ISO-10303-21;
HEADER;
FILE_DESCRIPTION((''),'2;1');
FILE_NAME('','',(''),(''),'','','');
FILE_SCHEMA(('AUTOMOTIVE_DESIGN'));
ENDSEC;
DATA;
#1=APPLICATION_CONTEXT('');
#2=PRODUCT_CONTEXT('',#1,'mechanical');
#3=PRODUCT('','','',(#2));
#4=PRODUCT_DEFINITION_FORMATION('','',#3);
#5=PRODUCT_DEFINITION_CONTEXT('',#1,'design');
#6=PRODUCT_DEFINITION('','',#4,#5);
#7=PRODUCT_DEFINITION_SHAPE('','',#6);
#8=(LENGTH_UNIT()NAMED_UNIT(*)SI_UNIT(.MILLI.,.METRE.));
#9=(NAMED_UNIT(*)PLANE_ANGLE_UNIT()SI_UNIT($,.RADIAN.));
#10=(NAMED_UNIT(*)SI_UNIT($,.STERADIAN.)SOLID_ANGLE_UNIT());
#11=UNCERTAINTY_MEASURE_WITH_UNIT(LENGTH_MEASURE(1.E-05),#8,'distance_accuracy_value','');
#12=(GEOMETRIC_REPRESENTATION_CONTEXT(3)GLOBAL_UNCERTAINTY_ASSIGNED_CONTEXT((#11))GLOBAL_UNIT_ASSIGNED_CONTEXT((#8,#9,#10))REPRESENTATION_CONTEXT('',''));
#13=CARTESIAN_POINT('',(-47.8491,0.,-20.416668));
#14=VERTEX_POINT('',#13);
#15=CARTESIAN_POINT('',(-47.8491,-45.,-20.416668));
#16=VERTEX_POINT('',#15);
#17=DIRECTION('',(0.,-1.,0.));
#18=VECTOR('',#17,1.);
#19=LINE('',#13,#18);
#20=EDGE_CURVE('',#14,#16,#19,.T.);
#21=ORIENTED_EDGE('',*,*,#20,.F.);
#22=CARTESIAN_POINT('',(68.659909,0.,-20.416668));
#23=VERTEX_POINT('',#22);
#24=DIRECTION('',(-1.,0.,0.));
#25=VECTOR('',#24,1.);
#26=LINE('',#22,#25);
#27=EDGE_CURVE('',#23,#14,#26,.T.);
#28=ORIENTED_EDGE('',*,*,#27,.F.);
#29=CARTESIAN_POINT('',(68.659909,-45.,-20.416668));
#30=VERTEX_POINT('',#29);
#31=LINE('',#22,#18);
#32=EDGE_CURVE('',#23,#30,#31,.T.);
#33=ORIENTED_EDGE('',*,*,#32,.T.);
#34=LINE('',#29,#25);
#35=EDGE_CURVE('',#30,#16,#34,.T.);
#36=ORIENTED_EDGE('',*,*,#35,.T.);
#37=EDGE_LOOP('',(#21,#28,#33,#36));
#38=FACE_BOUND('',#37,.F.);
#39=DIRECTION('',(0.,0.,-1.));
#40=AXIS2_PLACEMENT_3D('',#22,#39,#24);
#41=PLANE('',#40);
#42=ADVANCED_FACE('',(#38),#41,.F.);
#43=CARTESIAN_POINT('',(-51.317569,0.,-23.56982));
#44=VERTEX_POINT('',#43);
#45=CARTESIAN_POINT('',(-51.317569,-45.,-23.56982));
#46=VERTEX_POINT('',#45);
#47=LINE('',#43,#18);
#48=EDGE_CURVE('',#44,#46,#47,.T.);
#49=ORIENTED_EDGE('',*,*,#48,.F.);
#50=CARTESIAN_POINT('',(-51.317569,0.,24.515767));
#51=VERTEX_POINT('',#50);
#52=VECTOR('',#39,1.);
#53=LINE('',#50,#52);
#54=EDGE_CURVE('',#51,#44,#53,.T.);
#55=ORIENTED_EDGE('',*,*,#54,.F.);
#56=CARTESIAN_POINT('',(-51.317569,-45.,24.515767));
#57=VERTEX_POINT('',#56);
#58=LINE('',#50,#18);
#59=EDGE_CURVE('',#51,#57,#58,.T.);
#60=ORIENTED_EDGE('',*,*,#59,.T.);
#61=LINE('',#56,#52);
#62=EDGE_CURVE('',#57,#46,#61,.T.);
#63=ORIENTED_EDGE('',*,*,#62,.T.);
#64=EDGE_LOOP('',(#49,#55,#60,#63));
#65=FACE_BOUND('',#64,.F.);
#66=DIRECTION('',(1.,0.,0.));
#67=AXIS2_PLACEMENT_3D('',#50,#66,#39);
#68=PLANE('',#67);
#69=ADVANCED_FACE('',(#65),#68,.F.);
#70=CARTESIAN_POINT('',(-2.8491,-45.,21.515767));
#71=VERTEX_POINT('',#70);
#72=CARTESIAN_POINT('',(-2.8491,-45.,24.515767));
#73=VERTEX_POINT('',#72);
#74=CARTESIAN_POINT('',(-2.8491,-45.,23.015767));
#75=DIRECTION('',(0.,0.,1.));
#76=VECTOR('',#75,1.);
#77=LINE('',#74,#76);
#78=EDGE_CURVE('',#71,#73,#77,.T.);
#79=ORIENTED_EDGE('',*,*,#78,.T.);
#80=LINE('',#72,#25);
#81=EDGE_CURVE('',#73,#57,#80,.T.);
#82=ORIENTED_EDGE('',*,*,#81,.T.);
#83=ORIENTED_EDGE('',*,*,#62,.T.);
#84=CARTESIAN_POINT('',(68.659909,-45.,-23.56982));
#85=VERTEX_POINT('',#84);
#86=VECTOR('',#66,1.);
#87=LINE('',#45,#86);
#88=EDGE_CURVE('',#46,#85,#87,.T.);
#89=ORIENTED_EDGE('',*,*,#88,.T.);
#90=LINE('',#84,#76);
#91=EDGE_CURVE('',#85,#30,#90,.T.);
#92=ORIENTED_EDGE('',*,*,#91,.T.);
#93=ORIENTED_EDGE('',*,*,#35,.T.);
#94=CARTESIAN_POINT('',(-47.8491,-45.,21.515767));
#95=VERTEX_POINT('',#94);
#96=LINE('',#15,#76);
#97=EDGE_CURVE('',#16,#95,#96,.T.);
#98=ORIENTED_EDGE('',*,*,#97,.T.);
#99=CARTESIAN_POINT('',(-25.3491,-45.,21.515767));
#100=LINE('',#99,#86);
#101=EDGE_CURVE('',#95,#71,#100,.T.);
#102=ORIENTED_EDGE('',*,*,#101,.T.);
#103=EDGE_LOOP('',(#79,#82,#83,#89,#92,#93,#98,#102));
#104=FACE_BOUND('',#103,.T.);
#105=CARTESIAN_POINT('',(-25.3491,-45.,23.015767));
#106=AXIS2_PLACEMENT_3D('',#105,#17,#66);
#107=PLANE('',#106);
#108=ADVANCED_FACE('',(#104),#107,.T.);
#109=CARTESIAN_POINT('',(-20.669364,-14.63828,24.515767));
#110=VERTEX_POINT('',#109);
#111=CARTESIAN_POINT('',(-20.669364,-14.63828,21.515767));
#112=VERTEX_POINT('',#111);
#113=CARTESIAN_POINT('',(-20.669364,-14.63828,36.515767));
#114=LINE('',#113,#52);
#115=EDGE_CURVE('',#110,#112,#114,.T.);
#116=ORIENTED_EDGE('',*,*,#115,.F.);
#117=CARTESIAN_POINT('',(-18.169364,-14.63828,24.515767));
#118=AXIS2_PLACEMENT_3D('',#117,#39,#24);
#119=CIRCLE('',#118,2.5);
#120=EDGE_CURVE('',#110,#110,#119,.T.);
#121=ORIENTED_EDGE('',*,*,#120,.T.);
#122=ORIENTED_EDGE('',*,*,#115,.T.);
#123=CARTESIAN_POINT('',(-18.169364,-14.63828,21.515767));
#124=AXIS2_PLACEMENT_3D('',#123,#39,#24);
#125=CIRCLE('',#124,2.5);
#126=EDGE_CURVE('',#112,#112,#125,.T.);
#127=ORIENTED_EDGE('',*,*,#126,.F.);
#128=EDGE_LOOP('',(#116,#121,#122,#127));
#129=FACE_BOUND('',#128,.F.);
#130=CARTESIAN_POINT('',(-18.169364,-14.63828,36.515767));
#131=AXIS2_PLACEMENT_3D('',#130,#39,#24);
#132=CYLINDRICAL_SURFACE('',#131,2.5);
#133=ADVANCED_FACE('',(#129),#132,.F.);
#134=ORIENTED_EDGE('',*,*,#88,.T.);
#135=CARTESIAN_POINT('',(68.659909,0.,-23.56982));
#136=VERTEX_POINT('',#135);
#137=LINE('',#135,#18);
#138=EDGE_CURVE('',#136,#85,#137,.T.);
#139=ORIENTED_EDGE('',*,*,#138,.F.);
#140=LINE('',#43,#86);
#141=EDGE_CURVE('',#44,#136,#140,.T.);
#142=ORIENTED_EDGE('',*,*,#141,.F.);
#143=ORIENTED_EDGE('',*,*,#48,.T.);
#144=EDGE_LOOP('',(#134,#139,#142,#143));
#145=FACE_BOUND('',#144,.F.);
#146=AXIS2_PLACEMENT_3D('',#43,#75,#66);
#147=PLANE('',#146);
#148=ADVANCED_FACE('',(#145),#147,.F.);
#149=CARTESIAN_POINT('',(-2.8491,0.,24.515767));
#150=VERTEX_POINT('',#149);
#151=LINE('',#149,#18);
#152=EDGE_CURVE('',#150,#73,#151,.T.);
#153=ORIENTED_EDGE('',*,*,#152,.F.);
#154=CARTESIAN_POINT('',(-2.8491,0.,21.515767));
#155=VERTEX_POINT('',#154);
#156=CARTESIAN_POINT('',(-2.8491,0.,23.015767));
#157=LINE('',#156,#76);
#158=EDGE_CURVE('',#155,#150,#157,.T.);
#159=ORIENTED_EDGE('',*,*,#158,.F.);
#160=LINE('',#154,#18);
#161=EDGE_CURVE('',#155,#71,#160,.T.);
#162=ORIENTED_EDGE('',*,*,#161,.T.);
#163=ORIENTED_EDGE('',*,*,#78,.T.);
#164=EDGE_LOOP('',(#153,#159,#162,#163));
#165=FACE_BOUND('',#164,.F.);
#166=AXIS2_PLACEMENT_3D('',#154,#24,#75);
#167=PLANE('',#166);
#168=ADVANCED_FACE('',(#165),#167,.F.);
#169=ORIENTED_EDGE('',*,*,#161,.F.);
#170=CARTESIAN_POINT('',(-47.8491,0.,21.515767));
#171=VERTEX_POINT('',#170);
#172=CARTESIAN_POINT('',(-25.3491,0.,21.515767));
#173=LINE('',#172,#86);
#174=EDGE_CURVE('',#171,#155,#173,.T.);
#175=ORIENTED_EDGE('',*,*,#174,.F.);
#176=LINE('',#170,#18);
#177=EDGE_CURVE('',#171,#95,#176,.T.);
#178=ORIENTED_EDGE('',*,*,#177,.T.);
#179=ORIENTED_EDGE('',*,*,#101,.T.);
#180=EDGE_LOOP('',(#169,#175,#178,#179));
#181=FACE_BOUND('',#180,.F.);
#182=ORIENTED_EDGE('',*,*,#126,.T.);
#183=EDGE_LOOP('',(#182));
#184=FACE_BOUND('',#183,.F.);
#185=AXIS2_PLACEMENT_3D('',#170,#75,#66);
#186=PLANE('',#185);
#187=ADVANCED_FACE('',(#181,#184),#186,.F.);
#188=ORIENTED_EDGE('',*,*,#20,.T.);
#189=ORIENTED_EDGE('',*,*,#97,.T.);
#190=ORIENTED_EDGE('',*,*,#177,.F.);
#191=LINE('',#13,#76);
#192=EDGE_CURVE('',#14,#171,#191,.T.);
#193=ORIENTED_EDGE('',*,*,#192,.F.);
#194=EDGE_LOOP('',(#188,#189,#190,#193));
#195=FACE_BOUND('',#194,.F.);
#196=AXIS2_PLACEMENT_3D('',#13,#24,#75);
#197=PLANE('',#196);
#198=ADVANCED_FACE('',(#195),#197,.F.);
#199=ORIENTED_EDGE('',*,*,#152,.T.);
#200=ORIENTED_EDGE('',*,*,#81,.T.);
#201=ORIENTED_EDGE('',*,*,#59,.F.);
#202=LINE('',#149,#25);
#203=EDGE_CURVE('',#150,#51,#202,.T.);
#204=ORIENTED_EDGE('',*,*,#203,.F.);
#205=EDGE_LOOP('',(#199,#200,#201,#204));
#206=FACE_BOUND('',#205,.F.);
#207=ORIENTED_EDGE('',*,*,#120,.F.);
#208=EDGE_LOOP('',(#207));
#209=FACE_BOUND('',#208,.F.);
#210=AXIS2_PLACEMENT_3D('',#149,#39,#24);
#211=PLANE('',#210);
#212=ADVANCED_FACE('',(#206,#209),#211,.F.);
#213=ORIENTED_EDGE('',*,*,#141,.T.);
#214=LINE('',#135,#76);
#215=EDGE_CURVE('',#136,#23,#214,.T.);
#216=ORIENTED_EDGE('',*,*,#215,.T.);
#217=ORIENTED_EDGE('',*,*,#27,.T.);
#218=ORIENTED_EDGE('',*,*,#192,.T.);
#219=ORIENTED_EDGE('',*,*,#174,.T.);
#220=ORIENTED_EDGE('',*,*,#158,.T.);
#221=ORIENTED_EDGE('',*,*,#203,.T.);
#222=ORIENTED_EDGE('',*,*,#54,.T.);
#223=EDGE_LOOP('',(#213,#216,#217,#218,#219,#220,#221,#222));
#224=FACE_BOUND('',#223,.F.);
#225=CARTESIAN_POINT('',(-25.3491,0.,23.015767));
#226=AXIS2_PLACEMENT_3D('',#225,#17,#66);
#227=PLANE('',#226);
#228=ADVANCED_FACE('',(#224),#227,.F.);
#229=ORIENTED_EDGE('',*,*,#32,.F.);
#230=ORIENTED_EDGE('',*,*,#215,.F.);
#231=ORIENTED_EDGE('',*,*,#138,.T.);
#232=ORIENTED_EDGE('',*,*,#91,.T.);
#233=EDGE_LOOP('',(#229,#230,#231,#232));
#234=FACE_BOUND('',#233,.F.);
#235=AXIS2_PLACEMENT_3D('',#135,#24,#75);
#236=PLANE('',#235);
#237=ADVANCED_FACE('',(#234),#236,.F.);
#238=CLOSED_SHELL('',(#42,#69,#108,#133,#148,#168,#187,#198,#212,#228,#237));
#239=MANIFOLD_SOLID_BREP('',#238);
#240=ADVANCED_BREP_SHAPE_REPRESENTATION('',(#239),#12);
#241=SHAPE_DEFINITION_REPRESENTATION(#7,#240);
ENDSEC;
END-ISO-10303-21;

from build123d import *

# Parameters (mm, degrees)
F0_W     = 45
F0_H     = 3
F1_DEPTH = 45
F3_D     = 5
F3_DEPTH = 12


with BuildPart() as f1:
    # F0 (on Front) → F1 (new body)
    with BuildSketch(Plane.XZ):
        with Locations((-25.3491, 23.015767)):
            Rectangle(F0_W, F0_H)
        Polygon((-51.317569, -23.56982), (68.659909, -23.56982), (68.659909, -20.416668), (-47.8491, -20.416668), (-51.317569, -20.416668), align=None)
        Polygon((-51.317569, 24.515767), (-51.317569, -20.416668), (-47.8491, -20.416668), (-47.8491, 21.515767), (-47.8491, 24.515767), align=None)
    extrude(amount=F1_DEPTH)

    # F3
    with Locations(Plane.XY.offset(24.515767)):
        with Locations((-18.169364, -14.63828)):
            Hole(F3_D / 2, depth=F3_DEPTH)


solid = f1.part
